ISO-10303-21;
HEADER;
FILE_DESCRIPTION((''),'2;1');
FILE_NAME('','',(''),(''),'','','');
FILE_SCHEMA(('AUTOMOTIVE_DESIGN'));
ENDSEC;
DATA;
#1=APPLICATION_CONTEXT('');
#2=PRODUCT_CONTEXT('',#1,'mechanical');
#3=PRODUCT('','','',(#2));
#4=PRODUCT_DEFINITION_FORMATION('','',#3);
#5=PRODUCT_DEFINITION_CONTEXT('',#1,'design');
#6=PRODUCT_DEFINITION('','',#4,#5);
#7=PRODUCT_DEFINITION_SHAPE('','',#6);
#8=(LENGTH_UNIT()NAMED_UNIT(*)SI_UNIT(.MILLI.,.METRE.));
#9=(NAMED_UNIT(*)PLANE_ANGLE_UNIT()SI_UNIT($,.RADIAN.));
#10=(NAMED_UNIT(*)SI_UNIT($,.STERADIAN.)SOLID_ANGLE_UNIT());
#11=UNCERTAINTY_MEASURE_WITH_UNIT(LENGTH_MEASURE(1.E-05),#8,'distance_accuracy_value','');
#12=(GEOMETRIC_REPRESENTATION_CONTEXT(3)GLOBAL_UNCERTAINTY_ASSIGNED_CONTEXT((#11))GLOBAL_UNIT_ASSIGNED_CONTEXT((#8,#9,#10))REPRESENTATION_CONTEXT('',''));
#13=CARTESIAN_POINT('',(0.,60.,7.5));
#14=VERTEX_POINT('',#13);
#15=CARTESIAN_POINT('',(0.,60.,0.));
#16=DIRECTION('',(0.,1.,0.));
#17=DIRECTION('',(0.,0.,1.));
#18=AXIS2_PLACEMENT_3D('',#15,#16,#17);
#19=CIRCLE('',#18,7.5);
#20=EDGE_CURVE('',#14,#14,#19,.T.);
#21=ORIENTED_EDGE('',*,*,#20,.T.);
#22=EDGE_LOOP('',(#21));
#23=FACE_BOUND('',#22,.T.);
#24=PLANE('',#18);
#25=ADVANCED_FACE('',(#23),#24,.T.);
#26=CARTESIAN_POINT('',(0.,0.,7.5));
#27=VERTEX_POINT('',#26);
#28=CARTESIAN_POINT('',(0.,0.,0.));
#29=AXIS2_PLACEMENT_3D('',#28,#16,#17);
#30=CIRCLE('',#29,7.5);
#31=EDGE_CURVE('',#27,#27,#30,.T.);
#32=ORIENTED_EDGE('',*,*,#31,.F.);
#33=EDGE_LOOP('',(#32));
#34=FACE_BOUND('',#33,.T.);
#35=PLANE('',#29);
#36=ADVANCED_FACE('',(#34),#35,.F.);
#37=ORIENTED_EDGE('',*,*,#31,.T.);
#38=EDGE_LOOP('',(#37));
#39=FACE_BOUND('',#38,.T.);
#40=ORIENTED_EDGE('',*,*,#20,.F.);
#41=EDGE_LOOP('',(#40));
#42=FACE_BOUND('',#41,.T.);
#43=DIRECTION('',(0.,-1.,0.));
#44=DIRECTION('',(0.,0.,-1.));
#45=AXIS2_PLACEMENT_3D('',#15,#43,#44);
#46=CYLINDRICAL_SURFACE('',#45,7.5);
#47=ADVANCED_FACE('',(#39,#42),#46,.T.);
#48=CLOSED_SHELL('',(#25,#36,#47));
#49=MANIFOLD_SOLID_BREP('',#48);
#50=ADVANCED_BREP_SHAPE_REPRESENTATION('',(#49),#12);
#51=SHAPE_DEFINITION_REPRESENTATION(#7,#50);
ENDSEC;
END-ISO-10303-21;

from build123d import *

# Parameters (mm, degrees)
CROQUIS1_R              = 7.5
SALIENTE_EXTRUIR1_DEPTH = 60


with BuildPart() as part:
    # Croquis1 → Saliente-Extruir1 (new body)
    with BuildSketch(Plane(origin=(0, 0, 0), x_dir=(1, 0, 0), z_dir=(0, 1, 0))):
        Circle(CROQUIS1_R)
    extrude(amount=SALIENTE_EXTRUIR1_DEPTH)


solid = part.part
